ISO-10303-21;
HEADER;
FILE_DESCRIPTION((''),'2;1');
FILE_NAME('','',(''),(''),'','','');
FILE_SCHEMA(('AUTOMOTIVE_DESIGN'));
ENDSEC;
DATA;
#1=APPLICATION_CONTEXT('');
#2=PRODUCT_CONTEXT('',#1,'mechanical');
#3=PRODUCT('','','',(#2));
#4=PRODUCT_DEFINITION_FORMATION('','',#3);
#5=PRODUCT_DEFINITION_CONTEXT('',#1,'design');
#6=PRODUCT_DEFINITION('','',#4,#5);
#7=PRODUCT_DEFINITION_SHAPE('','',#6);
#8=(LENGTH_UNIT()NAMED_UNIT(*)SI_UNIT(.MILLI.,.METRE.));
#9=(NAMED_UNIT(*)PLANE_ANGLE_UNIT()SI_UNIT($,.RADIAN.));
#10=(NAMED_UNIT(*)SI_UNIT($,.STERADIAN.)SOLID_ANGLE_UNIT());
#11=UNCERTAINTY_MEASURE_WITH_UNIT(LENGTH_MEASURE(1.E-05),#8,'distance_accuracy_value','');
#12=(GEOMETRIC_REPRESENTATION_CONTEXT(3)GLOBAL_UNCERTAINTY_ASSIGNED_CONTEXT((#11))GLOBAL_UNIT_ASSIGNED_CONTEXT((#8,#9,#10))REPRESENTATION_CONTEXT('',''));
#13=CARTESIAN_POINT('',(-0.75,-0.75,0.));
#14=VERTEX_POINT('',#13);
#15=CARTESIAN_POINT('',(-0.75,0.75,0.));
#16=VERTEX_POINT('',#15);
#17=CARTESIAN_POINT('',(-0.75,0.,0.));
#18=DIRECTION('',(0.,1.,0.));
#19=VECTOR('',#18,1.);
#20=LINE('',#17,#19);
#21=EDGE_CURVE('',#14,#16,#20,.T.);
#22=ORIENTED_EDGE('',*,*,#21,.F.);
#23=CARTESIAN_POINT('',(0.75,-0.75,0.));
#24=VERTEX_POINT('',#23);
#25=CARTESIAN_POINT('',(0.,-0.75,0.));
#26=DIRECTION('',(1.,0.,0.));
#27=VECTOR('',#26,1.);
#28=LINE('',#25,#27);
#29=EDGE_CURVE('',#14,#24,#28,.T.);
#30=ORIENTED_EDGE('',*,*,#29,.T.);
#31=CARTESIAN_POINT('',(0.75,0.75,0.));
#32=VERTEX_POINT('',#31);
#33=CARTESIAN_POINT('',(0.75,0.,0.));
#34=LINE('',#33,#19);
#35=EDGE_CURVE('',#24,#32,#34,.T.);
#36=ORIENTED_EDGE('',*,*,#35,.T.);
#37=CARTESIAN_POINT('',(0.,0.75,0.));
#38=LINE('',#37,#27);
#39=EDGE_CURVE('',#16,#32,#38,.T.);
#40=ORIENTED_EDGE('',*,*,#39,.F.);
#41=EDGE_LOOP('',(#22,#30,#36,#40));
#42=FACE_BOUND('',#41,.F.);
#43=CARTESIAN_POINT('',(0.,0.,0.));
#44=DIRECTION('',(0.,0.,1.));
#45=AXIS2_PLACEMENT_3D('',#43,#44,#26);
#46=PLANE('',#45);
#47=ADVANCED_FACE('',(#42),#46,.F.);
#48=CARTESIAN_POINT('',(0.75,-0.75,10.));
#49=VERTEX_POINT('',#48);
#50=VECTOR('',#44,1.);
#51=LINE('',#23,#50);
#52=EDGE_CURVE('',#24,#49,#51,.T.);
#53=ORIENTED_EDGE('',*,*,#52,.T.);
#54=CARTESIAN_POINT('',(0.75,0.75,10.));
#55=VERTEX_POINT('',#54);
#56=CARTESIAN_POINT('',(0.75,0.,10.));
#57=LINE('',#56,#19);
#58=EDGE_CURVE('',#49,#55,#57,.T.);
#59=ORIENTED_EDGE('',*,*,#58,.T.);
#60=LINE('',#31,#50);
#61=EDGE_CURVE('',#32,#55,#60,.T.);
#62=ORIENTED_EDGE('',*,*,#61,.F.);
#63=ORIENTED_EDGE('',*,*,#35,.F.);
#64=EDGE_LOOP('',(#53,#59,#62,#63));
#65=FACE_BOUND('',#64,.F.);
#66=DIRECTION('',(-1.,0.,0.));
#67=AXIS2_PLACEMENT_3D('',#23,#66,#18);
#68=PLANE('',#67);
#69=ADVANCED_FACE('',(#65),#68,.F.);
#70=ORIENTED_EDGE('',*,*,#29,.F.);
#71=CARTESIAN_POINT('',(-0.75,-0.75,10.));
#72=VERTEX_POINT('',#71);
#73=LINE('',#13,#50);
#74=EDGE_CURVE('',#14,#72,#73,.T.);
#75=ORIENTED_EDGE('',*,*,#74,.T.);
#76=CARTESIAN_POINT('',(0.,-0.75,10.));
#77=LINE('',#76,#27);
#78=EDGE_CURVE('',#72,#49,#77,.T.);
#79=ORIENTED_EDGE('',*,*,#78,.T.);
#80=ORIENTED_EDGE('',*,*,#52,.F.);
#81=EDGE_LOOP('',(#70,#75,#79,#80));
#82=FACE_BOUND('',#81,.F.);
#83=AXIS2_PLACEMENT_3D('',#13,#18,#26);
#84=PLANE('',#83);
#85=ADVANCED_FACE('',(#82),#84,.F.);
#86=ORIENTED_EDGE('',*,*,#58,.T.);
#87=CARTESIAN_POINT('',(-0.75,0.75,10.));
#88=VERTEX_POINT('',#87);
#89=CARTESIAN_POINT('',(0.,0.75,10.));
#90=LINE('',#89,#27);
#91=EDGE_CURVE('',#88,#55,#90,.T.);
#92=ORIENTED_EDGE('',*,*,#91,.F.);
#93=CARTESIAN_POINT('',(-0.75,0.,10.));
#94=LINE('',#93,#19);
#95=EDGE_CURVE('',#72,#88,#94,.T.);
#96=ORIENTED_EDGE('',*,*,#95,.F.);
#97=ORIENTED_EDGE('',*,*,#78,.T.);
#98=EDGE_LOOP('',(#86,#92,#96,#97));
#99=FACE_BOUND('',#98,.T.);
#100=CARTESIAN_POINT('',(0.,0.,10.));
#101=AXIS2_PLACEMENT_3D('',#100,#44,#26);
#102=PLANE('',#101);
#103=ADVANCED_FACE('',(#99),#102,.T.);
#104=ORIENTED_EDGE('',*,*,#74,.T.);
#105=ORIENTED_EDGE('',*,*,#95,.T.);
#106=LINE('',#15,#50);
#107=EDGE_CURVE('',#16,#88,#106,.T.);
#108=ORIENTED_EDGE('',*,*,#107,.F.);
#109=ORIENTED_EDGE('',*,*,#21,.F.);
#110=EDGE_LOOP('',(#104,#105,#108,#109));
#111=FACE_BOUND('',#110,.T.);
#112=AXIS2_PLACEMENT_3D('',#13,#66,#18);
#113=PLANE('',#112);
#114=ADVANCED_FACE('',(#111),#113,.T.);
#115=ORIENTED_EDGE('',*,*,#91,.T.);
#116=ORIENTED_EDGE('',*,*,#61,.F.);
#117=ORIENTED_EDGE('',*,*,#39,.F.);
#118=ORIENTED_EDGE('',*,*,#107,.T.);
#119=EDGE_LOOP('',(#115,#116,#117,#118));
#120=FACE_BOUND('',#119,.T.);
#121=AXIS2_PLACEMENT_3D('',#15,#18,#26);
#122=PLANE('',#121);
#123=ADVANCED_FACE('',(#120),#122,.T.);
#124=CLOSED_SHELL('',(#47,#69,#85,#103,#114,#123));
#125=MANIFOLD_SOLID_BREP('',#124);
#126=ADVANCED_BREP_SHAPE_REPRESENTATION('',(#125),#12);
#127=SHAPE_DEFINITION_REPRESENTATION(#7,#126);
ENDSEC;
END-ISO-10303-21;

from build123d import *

# Parameters (mm, degrees)
SKETCH002_W = 1.5
SKETCH002_H = 1.5
PAD_DEPTH   = 10


with BuildPart() as part:
    # Sketch002 → Pad (new body)
    with BuildSketch(Plane.XY):
        Rectangle(SKETCH002_W, SKETCH002_H)
    extrude(amount=PAD_DEPTH)


solid = part.part
